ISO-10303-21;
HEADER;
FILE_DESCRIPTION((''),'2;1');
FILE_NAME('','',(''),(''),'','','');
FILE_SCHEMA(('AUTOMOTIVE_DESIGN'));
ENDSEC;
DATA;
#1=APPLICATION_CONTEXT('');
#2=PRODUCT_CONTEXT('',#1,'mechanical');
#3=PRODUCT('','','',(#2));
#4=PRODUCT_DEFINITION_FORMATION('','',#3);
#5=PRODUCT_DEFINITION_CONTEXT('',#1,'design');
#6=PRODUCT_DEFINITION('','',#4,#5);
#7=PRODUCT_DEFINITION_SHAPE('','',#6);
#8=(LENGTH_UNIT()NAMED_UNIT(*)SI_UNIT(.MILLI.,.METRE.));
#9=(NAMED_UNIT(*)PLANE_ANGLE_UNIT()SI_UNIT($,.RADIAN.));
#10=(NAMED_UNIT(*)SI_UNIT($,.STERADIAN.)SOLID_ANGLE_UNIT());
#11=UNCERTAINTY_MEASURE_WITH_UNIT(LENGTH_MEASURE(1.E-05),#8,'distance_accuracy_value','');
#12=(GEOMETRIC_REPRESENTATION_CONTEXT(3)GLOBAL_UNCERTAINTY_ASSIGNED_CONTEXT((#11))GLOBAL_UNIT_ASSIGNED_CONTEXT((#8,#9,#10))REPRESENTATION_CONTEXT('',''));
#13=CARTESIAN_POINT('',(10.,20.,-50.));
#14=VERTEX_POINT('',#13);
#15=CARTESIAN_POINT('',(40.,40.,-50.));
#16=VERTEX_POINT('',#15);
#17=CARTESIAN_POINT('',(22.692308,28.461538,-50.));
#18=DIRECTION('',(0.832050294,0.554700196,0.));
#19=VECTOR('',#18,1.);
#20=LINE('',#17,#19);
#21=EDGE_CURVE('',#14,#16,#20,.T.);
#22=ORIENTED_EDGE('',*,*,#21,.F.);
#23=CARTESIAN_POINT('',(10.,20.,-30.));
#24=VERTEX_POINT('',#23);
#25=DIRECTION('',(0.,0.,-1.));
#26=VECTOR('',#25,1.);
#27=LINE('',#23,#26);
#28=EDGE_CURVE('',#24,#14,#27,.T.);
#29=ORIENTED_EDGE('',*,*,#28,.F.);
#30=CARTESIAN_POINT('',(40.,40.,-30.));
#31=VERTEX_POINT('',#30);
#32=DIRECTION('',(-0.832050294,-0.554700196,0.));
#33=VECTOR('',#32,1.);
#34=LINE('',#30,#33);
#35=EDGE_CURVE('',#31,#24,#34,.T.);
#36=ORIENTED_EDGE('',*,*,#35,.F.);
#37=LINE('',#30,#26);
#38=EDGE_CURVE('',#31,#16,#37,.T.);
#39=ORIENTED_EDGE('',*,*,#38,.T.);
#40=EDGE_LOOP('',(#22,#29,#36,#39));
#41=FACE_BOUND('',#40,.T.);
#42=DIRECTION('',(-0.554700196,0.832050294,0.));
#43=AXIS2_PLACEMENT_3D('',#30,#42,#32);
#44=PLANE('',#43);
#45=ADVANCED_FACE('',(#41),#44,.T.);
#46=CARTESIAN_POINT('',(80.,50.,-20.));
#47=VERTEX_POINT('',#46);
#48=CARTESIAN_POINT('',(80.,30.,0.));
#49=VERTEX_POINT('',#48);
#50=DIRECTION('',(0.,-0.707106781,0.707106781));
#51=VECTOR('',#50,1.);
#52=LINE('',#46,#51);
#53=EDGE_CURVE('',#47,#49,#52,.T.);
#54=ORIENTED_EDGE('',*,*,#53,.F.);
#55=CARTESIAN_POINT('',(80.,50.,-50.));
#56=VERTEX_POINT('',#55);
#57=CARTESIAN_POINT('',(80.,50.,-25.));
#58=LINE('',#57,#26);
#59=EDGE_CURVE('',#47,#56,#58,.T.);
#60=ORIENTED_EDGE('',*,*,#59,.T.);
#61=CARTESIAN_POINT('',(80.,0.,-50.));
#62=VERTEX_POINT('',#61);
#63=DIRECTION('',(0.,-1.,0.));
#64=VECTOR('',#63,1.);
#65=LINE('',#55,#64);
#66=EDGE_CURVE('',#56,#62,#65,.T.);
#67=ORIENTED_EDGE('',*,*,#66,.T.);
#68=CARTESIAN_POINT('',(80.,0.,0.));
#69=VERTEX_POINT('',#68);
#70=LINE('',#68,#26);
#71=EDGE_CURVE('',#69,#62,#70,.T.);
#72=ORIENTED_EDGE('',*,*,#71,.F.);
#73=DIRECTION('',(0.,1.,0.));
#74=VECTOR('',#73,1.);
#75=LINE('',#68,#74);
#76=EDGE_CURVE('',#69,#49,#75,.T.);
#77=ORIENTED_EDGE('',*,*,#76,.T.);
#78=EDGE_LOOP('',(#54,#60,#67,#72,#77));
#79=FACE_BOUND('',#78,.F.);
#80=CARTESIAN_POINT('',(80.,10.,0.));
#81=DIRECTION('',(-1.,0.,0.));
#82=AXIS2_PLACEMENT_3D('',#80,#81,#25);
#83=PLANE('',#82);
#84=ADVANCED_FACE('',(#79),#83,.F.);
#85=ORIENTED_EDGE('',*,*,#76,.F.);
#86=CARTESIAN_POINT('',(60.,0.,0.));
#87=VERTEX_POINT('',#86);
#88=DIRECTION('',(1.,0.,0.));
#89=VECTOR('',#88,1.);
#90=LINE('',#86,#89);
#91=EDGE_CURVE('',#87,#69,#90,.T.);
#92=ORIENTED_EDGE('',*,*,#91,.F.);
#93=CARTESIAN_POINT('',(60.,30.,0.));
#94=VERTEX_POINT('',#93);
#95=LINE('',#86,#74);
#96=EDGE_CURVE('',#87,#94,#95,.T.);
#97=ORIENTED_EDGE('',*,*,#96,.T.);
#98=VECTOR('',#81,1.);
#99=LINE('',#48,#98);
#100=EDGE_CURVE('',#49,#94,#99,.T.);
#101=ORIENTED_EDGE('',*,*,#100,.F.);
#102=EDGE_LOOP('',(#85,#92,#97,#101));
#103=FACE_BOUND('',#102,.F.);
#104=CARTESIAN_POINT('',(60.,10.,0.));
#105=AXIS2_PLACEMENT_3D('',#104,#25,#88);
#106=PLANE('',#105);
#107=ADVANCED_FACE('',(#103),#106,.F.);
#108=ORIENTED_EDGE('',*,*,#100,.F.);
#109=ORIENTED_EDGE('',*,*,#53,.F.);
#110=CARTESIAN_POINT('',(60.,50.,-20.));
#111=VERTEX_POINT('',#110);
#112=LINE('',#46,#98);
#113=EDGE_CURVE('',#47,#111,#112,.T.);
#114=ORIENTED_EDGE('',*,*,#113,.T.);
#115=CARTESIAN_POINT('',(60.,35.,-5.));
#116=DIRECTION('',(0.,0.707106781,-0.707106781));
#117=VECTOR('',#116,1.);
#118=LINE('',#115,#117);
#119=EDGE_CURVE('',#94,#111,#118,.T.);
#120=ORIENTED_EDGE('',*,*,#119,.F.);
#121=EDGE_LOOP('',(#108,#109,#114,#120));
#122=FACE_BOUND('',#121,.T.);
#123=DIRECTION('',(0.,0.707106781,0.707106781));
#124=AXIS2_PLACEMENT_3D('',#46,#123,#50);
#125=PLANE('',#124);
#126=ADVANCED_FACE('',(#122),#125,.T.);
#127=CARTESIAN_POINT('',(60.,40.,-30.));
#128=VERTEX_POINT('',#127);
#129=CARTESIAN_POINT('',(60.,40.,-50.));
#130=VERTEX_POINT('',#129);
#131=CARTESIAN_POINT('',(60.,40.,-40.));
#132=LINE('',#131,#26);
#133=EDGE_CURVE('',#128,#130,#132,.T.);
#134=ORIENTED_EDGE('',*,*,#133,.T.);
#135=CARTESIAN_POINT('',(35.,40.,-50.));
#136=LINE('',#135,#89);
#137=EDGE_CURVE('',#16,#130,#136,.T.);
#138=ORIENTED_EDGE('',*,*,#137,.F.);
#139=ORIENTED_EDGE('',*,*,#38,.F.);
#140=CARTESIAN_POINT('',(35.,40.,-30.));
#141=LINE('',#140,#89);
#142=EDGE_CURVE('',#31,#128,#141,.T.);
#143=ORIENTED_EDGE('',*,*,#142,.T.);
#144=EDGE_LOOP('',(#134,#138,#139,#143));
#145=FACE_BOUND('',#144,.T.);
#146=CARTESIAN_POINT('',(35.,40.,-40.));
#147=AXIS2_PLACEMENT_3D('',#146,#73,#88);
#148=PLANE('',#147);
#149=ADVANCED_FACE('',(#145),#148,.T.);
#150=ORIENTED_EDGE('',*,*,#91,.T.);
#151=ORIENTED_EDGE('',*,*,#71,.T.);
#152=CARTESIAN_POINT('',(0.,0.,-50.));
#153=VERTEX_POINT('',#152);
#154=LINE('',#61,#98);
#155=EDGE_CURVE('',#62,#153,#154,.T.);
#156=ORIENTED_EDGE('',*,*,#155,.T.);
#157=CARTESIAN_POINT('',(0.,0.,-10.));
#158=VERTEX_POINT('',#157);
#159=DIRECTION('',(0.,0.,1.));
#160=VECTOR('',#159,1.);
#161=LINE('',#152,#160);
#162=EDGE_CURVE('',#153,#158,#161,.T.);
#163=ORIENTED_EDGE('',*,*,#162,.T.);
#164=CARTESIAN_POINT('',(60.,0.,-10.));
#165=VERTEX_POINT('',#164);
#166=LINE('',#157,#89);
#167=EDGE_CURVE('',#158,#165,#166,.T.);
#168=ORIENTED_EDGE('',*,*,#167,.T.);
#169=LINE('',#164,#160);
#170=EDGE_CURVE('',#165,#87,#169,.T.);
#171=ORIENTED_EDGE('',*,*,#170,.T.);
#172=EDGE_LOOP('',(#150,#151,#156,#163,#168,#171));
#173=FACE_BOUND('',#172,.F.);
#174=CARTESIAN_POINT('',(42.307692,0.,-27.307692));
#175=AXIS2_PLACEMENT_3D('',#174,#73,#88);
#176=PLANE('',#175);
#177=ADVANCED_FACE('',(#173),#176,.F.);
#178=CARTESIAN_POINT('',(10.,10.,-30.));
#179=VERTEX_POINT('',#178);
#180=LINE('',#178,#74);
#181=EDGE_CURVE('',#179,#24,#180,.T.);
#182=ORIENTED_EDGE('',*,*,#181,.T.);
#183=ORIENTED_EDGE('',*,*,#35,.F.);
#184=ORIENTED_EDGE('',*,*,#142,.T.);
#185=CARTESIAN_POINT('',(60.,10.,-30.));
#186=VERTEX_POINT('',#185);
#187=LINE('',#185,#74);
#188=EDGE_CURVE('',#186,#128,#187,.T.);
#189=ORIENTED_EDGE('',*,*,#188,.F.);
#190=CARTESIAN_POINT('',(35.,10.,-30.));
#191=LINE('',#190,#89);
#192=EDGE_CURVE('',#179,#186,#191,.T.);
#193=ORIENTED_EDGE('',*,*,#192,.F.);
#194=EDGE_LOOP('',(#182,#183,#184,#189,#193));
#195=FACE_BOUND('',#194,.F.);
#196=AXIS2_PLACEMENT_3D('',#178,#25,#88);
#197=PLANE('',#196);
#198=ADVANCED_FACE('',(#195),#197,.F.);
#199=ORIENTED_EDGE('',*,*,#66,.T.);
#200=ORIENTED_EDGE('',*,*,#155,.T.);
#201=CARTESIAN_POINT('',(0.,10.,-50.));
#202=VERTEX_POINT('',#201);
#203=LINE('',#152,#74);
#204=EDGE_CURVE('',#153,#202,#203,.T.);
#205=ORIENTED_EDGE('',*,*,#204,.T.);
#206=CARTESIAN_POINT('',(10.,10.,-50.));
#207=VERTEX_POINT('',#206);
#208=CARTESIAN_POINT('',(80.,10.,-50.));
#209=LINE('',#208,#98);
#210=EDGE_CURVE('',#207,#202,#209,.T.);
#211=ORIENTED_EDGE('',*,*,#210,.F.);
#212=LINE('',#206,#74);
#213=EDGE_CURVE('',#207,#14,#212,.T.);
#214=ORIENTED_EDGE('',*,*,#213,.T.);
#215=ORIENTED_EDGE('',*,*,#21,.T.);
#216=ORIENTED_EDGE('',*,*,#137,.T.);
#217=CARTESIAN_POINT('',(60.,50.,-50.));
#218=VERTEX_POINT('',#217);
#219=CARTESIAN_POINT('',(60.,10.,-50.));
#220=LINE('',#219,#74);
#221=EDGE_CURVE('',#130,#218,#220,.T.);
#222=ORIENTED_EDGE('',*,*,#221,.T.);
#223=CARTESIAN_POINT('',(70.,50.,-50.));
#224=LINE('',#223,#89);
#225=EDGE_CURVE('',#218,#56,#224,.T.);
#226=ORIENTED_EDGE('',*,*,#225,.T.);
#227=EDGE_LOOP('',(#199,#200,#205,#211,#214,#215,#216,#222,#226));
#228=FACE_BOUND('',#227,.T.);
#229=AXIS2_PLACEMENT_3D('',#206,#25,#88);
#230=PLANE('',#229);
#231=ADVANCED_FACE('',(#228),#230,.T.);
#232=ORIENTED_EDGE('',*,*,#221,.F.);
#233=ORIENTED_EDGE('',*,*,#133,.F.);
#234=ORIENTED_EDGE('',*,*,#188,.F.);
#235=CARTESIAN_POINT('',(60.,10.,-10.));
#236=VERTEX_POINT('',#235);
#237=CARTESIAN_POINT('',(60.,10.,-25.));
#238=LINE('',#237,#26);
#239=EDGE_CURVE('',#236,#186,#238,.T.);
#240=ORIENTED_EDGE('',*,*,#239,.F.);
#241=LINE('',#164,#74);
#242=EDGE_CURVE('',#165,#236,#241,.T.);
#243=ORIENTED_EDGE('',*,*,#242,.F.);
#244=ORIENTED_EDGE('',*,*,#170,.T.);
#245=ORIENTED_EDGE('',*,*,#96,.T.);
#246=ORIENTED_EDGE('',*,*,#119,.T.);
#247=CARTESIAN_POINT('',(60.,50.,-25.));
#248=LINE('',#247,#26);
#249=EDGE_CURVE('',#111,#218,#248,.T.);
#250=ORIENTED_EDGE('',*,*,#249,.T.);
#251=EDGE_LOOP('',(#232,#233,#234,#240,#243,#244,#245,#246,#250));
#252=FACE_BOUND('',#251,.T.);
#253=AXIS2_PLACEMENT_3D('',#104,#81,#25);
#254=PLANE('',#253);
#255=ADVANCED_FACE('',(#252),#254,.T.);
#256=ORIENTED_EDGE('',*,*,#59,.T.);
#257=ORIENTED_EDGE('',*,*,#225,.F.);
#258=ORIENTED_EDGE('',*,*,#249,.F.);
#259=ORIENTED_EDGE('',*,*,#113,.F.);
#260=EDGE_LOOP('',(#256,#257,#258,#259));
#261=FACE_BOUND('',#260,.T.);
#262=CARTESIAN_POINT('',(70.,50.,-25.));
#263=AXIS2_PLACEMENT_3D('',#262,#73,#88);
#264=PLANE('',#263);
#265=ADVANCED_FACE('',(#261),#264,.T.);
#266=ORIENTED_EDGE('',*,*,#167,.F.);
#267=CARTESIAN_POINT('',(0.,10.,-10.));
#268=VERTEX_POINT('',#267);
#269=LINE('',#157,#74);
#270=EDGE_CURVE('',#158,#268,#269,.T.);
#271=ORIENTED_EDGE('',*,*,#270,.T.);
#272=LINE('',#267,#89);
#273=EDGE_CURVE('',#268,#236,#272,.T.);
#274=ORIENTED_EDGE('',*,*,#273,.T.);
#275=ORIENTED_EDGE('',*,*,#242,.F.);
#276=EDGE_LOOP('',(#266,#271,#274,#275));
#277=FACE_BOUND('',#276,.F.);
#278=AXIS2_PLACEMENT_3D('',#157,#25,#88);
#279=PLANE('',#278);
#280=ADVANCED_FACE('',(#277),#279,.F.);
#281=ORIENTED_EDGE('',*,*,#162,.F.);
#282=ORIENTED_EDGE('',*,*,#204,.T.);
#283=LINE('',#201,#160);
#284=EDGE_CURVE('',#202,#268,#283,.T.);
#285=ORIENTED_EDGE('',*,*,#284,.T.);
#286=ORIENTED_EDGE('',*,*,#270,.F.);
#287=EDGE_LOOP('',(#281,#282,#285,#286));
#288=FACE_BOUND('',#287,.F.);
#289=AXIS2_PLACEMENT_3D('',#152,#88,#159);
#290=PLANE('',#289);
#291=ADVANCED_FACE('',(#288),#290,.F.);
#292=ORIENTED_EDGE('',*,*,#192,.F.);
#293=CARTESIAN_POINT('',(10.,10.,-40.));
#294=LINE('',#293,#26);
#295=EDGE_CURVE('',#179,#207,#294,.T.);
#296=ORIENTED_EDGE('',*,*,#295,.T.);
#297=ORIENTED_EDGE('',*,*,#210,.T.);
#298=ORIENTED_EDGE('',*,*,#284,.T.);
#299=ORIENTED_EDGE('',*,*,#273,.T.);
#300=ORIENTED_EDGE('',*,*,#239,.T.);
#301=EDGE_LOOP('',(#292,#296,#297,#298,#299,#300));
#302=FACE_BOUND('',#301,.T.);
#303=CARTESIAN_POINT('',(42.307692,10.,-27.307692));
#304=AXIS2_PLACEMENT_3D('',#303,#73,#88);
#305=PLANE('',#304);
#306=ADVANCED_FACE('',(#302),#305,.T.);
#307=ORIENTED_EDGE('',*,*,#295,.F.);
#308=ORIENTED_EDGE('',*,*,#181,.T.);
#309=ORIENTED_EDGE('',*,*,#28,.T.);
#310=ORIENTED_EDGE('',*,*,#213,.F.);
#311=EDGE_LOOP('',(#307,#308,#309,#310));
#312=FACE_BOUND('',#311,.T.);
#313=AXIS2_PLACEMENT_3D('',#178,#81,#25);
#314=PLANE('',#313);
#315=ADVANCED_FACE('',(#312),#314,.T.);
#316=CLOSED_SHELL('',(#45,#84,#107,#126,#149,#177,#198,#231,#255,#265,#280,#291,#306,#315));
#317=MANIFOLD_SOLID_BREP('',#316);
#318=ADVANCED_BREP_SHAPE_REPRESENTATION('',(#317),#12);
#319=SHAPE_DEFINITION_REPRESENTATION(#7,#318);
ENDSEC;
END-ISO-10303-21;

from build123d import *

# Parameters (mm, degrees)
BOSS_EXTRUDE1_DEPTH = 10
SKETCH3_W           = 20
SKETCH3_H           = 50
BOSS_EXTRUDE2_DEPTH = 40
CUT_EXTRUDE1_DEPTH  = 40
SKETCH5_W           = 50
SKETCH5_H           = 20
BOSS_EXTRUDE3_DEPTH = 30
CUT_EXTRUDE2_DEPTH  = 30


with BuildPart() as part:
    # Sketch2 → Boss-Extrude1 (new body)
    with BuildSketch(Plane(origin=(0, 0, 0), x_dir=(1, 0, 0), z_dir=(0, 1, 0))):
        Polygon((0, 50), (0, 10), (60, 10), (60, 0), (80, 0), (80, 50), align=None)
    extrude(amount=BOSS_EXTRUDE1_DEPTH)

    # Sketch3 → Boss-Extrude2 (add)
    with BuildSketch(Plane(origin=(0, 10, 0), x_dir=(1, 0, 0), z_dir=(0, 1, 0))):
        with Locations((70, 25)):
            Rectangle(SKETCH3_W, SKETCH3_H)
    extrude(amount=BOSS_EXTRUDE2_DEPTH)

    # Sketch4 → Cut-Extrude1 (cut)
    with BuildSketch(Plane(origin=(80, 0, 0), x_dir=(0, 0, -1), z_dir=(1, 0, 0))):
        Polygon((20, 50), (0, 30), (0, 50), align=None)
    extrude(amount=-CUT_EXTRUDE1_DEPTH, mode=Mode.SUBTRACT)

    # Sketch5 → Boss-Extrude3 (add)
    with BuildSketch(Plane(origin=(0, 10, 0), x_dir=(1, 0, 0), z_dir=(0, 1, 0))):
        with Locations((35, 40)):
            Rectangle(SKETCH5_W, SKETCH5_H)
    extrude(amount=BOSS_EXTRUDE3_DEPTH)

    # Sketch6 → Cut-Extrude2 (cut)
    with BuildSketch(Plane.XY.offset(-30)):
        Polygon((40, 40), (10, 20), (10, 40), align=None)
    extrude(amount=-CUT_EXTRUDE2_DEPTH, mode=Mode.SUBTRACT)


solid = part.part
